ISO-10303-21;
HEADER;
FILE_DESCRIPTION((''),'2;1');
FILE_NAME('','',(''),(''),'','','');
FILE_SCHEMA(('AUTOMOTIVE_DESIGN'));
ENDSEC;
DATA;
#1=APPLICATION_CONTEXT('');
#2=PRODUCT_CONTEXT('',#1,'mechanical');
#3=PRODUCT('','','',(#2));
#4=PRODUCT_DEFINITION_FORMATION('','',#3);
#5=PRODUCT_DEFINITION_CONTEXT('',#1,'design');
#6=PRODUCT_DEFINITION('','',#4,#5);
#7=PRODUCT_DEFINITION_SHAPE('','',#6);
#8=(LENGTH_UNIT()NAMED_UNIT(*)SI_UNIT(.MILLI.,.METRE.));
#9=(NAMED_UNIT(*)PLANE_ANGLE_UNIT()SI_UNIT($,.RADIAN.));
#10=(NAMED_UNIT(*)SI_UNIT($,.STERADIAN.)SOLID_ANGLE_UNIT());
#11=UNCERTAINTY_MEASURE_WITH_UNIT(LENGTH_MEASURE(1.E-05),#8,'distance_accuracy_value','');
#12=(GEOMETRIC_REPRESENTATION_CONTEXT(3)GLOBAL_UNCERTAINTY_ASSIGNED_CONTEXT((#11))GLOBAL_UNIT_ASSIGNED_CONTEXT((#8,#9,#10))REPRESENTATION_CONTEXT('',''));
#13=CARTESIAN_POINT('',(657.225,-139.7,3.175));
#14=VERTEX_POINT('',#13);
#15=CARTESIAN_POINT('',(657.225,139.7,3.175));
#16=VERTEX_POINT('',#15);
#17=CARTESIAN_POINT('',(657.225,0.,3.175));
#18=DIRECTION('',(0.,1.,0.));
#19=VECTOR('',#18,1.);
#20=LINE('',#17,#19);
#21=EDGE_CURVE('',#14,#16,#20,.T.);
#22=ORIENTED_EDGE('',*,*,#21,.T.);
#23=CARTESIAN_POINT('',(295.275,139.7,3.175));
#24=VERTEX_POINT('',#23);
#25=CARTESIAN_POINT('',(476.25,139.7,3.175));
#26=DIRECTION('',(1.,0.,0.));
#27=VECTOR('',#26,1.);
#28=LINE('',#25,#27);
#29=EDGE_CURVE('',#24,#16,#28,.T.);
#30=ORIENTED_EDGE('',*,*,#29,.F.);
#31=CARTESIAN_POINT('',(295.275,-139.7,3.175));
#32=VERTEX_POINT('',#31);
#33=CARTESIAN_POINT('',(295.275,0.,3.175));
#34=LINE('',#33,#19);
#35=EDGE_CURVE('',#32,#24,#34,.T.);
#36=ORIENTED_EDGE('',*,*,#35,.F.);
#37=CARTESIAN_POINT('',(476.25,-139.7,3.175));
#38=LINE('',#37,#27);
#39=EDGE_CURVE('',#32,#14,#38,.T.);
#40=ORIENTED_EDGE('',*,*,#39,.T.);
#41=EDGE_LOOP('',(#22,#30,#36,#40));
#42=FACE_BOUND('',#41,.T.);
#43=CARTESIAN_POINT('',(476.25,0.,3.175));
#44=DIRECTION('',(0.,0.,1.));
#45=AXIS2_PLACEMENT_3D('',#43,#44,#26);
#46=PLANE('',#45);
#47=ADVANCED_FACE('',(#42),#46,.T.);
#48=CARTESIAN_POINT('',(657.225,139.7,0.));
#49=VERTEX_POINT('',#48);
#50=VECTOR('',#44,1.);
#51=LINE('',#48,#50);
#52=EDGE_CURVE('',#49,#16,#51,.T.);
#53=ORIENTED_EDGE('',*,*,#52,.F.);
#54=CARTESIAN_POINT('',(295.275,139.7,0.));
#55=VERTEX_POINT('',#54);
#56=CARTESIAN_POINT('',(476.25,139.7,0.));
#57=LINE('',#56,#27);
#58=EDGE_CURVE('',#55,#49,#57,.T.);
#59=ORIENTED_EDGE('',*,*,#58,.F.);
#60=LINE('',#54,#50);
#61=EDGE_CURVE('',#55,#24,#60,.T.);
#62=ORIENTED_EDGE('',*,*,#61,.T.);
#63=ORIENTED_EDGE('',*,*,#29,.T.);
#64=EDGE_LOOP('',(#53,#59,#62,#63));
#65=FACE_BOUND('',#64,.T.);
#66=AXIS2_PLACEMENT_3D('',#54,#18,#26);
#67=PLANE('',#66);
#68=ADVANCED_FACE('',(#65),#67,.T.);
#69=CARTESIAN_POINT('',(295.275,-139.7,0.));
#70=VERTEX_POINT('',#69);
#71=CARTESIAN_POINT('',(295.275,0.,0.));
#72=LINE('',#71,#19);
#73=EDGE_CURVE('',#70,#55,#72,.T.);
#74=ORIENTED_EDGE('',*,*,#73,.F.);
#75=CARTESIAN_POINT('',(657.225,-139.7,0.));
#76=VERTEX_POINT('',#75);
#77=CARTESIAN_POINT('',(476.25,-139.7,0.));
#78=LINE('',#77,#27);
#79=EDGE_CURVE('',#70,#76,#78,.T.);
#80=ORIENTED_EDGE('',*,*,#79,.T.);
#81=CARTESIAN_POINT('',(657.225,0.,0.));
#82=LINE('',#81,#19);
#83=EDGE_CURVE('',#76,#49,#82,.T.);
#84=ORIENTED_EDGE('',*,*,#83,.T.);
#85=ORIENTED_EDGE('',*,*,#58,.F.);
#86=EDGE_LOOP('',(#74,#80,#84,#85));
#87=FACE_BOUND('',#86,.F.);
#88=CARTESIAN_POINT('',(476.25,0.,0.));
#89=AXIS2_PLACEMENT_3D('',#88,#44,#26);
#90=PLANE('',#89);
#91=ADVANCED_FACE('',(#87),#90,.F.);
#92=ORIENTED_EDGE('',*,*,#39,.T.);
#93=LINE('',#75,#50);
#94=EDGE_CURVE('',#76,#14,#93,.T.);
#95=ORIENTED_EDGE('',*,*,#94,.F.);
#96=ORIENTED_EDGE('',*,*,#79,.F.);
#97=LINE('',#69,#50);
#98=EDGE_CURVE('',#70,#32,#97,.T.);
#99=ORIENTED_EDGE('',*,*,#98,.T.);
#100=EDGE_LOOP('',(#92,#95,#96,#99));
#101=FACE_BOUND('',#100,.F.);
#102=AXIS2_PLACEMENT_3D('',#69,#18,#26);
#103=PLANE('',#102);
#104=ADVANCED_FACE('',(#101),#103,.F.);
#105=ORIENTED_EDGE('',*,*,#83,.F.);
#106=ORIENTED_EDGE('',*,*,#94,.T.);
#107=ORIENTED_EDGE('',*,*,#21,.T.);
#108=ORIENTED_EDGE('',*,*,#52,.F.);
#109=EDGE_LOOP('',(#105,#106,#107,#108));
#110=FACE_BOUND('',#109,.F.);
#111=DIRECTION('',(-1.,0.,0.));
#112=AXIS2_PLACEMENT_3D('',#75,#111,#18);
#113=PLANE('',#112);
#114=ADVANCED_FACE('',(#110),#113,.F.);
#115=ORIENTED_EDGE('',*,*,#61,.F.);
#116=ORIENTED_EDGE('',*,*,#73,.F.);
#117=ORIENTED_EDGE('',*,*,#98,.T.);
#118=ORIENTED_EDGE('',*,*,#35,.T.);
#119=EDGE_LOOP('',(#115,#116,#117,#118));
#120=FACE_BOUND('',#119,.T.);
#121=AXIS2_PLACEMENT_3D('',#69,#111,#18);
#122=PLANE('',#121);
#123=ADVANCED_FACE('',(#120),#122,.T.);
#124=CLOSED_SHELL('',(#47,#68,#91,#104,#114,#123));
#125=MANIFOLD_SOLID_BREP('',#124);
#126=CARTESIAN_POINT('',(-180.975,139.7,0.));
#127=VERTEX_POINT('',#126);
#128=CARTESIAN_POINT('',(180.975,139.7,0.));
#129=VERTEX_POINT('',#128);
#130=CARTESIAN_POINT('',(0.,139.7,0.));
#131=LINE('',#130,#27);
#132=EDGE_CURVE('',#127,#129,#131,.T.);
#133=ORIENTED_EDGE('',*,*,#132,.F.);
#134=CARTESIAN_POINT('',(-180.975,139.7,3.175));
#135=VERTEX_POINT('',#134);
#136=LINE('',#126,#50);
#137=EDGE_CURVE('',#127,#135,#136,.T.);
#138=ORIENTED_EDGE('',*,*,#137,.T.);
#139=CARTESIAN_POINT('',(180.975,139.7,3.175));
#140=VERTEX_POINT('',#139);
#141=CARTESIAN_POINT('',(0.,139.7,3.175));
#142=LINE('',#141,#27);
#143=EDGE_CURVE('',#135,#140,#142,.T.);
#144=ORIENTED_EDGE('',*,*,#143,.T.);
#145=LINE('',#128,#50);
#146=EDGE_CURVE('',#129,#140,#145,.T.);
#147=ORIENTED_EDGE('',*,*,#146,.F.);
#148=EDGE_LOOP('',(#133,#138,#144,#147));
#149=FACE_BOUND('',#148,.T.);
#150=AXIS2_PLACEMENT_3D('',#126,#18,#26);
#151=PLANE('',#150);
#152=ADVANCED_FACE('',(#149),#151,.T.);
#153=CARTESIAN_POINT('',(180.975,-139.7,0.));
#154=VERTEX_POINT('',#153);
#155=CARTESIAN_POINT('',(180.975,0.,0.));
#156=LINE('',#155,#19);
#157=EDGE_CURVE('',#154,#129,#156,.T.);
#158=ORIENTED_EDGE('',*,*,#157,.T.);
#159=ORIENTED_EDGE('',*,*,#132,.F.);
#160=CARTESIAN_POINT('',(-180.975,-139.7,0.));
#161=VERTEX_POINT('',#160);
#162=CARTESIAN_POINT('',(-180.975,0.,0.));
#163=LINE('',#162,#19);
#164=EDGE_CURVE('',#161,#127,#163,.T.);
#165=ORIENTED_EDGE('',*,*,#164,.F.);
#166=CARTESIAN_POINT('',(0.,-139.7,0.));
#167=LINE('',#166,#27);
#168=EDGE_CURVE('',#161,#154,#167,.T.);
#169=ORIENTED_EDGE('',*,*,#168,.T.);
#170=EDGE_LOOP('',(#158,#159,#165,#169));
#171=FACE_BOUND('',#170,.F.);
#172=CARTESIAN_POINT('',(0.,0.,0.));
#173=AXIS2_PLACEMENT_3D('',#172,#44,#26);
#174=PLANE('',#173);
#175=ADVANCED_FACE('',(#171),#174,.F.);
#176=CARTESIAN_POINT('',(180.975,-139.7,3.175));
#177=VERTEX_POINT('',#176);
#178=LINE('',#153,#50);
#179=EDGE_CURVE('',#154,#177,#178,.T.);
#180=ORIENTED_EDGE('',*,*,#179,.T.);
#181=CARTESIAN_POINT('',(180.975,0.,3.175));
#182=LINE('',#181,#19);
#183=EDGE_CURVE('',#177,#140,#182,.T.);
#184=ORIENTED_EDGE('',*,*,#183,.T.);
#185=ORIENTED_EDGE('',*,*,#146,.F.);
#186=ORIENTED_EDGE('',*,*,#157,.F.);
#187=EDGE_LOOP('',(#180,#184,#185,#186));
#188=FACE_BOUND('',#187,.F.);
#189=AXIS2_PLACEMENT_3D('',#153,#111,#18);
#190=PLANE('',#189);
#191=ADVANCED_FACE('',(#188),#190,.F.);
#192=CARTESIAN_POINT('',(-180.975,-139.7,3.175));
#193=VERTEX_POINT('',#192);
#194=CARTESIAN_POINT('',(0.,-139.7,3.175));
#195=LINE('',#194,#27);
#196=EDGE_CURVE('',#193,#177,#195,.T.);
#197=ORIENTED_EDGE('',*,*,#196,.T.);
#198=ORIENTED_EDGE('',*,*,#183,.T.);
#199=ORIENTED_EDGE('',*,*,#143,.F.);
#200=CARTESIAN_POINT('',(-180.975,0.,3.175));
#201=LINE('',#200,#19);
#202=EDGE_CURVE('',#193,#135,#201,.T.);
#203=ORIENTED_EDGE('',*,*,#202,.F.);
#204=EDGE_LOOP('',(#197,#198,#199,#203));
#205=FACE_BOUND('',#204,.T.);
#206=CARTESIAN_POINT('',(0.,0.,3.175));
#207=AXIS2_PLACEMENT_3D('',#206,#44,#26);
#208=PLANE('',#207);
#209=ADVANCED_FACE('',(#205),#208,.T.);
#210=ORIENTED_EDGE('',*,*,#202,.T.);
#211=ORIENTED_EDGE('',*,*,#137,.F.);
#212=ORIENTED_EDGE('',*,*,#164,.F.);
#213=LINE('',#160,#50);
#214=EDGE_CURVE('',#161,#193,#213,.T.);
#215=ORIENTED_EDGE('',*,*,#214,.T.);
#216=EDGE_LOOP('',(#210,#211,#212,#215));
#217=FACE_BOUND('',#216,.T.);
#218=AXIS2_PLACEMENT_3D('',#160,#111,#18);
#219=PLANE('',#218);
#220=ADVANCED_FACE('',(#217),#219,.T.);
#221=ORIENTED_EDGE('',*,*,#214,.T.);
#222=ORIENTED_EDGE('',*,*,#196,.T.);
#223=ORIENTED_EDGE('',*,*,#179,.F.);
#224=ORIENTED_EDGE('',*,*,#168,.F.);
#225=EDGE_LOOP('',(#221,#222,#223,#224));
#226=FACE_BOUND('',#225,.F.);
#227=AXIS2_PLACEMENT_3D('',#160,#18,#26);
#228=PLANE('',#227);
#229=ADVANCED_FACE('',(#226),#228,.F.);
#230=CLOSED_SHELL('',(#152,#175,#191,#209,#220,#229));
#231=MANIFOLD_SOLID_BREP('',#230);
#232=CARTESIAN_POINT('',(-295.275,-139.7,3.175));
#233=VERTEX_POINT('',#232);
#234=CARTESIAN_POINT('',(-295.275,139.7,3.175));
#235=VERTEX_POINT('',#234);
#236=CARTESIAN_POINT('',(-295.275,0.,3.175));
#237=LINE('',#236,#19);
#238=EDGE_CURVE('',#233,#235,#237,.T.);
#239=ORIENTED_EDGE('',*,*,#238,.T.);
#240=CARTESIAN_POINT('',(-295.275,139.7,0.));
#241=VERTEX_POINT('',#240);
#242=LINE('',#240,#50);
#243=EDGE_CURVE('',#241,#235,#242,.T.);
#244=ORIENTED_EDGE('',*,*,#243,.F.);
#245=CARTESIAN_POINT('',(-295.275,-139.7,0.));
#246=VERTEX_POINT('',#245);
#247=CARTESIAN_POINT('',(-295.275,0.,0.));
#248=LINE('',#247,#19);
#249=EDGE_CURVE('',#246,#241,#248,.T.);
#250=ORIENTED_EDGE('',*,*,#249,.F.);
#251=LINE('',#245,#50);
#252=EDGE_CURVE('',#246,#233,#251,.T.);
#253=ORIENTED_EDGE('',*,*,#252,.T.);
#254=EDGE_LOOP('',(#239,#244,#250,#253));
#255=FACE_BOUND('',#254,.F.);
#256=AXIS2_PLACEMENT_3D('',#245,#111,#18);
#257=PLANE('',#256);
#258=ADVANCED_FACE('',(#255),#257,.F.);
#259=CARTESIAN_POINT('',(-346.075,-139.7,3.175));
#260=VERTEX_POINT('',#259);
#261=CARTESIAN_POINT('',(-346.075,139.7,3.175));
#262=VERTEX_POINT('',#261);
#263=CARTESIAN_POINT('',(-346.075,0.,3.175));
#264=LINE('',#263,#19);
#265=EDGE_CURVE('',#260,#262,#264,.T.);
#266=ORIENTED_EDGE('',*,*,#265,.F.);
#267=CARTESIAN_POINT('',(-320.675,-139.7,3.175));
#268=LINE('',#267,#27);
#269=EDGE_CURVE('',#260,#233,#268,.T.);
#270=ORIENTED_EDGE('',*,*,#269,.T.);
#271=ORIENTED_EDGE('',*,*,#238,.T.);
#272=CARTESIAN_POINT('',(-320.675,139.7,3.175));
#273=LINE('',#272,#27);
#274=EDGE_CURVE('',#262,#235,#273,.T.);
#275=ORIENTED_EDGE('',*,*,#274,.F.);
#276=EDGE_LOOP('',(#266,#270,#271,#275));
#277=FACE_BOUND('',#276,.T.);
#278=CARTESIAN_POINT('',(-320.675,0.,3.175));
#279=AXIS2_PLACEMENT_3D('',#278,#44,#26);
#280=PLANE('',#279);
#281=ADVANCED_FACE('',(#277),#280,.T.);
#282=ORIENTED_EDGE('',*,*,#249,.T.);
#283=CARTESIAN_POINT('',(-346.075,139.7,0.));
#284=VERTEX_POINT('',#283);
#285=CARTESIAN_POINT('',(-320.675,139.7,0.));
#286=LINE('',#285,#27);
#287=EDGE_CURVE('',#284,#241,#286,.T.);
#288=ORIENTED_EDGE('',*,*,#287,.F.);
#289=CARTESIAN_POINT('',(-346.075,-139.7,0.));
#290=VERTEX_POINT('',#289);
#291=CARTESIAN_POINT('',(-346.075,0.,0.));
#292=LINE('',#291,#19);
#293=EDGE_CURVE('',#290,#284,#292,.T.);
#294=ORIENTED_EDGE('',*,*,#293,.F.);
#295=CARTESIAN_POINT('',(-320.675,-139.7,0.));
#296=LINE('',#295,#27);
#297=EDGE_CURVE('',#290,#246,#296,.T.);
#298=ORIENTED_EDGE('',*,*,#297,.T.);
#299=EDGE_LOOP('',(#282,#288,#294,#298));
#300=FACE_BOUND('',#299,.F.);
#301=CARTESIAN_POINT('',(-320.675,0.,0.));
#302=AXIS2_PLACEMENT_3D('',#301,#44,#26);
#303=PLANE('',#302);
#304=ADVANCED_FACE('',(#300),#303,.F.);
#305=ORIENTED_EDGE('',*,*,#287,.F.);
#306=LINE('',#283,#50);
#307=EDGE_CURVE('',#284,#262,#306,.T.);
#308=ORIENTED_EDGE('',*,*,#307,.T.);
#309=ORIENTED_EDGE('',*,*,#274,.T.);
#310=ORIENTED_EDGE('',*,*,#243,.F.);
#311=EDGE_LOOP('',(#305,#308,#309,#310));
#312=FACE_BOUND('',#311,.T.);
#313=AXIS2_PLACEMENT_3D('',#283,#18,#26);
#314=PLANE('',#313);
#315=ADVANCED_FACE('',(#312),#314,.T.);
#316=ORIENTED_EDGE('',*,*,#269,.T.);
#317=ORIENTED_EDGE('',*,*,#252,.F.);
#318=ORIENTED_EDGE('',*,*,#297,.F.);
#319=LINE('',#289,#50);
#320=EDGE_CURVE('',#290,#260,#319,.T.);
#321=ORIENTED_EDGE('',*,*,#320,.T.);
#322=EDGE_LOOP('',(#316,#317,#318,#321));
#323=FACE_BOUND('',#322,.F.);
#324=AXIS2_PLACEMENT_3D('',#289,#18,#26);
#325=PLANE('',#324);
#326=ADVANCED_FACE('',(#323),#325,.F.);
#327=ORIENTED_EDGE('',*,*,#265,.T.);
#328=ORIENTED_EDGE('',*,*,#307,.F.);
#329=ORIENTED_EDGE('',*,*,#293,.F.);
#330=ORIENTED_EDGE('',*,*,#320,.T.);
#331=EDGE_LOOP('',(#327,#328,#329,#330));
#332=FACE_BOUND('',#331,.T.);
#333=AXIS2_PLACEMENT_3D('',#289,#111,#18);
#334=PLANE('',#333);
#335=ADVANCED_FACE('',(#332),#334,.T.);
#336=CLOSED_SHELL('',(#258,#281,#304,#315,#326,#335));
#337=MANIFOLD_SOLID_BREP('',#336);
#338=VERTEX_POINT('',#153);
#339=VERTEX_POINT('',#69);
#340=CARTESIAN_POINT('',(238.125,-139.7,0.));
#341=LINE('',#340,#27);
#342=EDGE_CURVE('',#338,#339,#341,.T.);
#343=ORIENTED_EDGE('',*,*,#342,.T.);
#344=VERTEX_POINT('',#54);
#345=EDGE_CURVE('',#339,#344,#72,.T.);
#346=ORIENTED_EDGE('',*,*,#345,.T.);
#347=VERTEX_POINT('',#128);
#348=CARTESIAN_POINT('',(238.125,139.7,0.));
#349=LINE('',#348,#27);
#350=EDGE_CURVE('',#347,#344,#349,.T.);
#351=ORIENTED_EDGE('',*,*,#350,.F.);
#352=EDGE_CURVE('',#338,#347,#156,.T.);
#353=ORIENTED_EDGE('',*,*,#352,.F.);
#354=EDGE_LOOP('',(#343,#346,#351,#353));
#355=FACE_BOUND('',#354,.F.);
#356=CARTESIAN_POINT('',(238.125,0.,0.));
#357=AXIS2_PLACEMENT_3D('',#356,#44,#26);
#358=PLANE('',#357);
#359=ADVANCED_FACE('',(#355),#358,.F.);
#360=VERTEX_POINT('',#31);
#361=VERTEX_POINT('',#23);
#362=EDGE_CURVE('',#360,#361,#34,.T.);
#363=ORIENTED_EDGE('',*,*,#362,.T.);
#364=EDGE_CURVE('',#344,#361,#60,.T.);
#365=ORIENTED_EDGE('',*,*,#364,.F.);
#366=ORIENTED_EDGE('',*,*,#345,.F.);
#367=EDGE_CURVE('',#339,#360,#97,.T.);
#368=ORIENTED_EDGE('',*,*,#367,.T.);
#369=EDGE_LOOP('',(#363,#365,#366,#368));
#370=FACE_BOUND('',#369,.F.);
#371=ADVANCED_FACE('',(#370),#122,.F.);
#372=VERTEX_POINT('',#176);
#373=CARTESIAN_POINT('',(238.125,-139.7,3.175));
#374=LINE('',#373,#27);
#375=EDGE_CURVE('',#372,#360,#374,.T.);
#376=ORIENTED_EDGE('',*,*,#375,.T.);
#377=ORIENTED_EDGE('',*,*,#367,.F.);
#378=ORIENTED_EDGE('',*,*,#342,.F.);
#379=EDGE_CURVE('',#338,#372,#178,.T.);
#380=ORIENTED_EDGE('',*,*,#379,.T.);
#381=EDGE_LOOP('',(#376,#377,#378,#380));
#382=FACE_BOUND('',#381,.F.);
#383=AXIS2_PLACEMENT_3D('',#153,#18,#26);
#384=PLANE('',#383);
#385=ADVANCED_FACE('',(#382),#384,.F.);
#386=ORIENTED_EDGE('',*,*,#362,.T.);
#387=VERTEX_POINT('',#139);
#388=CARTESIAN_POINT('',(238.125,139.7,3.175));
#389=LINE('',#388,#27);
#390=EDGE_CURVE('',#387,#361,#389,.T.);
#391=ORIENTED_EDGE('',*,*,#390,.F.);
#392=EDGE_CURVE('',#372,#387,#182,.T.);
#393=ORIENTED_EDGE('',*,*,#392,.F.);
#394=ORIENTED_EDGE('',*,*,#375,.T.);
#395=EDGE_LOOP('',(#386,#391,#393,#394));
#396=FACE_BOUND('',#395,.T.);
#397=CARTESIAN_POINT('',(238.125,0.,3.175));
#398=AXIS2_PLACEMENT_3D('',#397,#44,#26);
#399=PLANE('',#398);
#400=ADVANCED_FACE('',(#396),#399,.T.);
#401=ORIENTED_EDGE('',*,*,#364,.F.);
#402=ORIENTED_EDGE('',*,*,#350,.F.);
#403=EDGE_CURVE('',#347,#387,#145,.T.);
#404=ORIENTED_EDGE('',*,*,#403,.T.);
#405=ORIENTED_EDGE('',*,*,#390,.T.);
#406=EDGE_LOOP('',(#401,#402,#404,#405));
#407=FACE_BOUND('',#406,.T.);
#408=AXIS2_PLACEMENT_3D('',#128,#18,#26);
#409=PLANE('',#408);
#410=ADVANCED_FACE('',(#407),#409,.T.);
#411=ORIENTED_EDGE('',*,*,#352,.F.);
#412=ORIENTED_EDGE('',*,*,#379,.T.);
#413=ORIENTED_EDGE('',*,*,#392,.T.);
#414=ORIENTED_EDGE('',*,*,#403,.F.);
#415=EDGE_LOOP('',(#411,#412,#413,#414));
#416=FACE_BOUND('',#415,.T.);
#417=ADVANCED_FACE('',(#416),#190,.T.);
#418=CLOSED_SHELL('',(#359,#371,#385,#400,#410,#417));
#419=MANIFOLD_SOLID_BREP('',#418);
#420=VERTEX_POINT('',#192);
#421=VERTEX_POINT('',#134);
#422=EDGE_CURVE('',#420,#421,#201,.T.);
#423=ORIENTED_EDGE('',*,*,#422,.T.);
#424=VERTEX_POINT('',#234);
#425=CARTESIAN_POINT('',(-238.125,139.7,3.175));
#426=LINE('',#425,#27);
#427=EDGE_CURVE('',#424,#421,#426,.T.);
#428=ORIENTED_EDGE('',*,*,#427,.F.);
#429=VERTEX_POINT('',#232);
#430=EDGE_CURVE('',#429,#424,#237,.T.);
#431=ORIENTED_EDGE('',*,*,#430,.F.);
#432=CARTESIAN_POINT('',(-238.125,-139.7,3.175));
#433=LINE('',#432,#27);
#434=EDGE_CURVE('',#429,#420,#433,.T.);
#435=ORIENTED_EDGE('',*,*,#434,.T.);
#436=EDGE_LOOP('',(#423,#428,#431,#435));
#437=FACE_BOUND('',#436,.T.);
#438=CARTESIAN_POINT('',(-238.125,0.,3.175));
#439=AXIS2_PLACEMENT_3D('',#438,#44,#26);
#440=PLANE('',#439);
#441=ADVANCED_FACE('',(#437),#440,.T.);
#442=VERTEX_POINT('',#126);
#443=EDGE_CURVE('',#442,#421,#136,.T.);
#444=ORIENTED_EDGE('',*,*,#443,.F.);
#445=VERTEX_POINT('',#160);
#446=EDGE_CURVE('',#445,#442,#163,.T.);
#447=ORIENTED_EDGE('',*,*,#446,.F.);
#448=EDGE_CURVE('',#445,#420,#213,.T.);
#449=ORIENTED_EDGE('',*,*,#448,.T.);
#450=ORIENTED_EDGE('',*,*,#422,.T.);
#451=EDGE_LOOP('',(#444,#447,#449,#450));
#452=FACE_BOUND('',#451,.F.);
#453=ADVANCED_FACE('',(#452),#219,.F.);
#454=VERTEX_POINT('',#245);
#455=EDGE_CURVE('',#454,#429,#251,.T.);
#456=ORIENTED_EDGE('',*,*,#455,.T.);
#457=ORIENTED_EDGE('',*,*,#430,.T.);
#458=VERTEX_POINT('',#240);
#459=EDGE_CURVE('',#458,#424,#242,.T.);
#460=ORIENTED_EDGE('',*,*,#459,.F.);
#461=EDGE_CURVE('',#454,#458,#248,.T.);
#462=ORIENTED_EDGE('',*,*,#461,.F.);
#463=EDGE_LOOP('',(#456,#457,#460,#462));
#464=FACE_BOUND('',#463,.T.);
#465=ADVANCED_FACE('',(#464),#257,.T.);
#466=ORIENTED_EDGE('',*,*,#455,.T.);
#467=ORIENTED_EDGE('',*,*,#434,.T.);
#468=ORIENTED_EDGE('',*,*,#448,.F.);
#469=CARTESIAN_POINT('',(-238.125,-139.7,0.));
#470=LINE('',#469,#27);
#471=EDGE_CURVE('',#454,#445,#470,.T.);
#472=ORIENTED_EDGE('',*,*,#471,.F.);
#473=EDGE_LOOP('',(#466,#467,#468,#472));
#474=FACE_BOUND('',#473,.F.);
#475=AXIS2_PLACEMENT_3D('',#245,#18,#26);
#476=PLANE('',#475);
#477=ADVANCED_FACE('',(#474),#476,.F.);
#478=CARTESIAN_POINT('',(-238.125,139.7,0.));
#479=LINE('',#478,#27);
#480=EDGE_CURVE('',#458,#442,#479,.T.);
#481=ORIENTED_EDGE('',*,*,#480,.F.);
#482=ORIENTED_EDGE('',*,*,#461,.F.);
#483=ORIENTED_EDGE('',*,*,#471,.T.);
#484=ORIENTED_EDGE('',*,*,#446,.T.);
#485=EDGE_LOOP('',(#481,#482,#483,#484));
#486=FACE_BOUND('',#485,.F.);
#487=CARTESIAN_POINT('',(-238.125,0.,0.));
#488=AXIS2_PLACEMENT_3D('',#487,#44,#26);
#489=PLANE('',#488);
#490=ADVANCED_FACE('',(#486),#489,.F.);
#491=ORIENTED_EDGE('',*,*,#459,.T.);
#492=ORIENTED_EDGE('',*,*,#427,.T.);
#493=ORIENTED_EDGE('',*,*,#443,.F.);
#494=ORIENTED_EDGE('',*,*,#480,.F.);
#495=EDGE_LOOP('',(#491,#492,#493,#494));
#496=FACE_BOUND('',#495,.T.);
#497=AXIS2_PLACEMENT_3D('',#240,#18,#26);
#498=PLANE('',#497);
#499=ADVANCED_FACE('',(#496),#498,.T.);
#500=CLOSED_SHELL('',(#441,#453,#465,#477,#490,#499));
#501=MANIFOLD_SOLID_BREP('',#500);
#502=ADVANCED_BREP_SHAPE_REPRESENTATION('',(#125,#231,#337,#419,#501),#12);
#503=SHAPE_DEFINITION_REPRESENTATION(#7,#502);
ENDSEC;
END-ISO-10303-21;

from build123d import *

# Parameters (mm, degrees)
F0_W     = 361.95
F0_H     = 279.4
F1_DEPTH = 3.175
F0_W_2   = 114.3
F2_DEPTH = 3.175
F3_DEPTH = 3.175
F4_DEPTH = 3.175
F0_W_3   = 50.8
F5_DEPTH = 3.175


with BuildPart() as f1:
    # F0 (on Top) → F1 (new body)
    with BuildSketch(Plane.XY):
        Rectangle(F0_W, F0_H)
    extrude(amount=F1_DEPTH)


with BuildPart() as f2:
    # F0 (on Top) → F2 (new body)
    with BuildSketch(Plane.XY):
        with Locations((-238.125, 0)):
            Rectangle(F0_W_2, F0_H)
    extrude(amount=F2_DEPTH)


with BuildPart() as f3:
    # F0 (on Top) → F3 (new body)
    with BuildSketch(Plane.XY):
        with Locations((238.125, 0)):
            Rectangle(F0_W_2, F0_H)
    extrude(amount=F3_DEPTH)


with BuildPart() as f4:
    # F0 (on Top) → F4 (new body)
    with BuildSketch(Plane.XY):
        with Locations((476.25, 0)):
            Rectangle(F0_W, F0_H)
    extrude(amount=F4_DEPTH)


with BuildPart() as f5:
    # F0 (on Top) → F5 (new body)
    with BuildSketch(Plane.XY):
        with Locations((-320.675, 0)):
            Rectangle(F0_W_3, F0_H)
    extrude(amount=F5_DEPTH)


solid = Compound([f1.part, f2.part, f3.part, f4.part, f5.part])
